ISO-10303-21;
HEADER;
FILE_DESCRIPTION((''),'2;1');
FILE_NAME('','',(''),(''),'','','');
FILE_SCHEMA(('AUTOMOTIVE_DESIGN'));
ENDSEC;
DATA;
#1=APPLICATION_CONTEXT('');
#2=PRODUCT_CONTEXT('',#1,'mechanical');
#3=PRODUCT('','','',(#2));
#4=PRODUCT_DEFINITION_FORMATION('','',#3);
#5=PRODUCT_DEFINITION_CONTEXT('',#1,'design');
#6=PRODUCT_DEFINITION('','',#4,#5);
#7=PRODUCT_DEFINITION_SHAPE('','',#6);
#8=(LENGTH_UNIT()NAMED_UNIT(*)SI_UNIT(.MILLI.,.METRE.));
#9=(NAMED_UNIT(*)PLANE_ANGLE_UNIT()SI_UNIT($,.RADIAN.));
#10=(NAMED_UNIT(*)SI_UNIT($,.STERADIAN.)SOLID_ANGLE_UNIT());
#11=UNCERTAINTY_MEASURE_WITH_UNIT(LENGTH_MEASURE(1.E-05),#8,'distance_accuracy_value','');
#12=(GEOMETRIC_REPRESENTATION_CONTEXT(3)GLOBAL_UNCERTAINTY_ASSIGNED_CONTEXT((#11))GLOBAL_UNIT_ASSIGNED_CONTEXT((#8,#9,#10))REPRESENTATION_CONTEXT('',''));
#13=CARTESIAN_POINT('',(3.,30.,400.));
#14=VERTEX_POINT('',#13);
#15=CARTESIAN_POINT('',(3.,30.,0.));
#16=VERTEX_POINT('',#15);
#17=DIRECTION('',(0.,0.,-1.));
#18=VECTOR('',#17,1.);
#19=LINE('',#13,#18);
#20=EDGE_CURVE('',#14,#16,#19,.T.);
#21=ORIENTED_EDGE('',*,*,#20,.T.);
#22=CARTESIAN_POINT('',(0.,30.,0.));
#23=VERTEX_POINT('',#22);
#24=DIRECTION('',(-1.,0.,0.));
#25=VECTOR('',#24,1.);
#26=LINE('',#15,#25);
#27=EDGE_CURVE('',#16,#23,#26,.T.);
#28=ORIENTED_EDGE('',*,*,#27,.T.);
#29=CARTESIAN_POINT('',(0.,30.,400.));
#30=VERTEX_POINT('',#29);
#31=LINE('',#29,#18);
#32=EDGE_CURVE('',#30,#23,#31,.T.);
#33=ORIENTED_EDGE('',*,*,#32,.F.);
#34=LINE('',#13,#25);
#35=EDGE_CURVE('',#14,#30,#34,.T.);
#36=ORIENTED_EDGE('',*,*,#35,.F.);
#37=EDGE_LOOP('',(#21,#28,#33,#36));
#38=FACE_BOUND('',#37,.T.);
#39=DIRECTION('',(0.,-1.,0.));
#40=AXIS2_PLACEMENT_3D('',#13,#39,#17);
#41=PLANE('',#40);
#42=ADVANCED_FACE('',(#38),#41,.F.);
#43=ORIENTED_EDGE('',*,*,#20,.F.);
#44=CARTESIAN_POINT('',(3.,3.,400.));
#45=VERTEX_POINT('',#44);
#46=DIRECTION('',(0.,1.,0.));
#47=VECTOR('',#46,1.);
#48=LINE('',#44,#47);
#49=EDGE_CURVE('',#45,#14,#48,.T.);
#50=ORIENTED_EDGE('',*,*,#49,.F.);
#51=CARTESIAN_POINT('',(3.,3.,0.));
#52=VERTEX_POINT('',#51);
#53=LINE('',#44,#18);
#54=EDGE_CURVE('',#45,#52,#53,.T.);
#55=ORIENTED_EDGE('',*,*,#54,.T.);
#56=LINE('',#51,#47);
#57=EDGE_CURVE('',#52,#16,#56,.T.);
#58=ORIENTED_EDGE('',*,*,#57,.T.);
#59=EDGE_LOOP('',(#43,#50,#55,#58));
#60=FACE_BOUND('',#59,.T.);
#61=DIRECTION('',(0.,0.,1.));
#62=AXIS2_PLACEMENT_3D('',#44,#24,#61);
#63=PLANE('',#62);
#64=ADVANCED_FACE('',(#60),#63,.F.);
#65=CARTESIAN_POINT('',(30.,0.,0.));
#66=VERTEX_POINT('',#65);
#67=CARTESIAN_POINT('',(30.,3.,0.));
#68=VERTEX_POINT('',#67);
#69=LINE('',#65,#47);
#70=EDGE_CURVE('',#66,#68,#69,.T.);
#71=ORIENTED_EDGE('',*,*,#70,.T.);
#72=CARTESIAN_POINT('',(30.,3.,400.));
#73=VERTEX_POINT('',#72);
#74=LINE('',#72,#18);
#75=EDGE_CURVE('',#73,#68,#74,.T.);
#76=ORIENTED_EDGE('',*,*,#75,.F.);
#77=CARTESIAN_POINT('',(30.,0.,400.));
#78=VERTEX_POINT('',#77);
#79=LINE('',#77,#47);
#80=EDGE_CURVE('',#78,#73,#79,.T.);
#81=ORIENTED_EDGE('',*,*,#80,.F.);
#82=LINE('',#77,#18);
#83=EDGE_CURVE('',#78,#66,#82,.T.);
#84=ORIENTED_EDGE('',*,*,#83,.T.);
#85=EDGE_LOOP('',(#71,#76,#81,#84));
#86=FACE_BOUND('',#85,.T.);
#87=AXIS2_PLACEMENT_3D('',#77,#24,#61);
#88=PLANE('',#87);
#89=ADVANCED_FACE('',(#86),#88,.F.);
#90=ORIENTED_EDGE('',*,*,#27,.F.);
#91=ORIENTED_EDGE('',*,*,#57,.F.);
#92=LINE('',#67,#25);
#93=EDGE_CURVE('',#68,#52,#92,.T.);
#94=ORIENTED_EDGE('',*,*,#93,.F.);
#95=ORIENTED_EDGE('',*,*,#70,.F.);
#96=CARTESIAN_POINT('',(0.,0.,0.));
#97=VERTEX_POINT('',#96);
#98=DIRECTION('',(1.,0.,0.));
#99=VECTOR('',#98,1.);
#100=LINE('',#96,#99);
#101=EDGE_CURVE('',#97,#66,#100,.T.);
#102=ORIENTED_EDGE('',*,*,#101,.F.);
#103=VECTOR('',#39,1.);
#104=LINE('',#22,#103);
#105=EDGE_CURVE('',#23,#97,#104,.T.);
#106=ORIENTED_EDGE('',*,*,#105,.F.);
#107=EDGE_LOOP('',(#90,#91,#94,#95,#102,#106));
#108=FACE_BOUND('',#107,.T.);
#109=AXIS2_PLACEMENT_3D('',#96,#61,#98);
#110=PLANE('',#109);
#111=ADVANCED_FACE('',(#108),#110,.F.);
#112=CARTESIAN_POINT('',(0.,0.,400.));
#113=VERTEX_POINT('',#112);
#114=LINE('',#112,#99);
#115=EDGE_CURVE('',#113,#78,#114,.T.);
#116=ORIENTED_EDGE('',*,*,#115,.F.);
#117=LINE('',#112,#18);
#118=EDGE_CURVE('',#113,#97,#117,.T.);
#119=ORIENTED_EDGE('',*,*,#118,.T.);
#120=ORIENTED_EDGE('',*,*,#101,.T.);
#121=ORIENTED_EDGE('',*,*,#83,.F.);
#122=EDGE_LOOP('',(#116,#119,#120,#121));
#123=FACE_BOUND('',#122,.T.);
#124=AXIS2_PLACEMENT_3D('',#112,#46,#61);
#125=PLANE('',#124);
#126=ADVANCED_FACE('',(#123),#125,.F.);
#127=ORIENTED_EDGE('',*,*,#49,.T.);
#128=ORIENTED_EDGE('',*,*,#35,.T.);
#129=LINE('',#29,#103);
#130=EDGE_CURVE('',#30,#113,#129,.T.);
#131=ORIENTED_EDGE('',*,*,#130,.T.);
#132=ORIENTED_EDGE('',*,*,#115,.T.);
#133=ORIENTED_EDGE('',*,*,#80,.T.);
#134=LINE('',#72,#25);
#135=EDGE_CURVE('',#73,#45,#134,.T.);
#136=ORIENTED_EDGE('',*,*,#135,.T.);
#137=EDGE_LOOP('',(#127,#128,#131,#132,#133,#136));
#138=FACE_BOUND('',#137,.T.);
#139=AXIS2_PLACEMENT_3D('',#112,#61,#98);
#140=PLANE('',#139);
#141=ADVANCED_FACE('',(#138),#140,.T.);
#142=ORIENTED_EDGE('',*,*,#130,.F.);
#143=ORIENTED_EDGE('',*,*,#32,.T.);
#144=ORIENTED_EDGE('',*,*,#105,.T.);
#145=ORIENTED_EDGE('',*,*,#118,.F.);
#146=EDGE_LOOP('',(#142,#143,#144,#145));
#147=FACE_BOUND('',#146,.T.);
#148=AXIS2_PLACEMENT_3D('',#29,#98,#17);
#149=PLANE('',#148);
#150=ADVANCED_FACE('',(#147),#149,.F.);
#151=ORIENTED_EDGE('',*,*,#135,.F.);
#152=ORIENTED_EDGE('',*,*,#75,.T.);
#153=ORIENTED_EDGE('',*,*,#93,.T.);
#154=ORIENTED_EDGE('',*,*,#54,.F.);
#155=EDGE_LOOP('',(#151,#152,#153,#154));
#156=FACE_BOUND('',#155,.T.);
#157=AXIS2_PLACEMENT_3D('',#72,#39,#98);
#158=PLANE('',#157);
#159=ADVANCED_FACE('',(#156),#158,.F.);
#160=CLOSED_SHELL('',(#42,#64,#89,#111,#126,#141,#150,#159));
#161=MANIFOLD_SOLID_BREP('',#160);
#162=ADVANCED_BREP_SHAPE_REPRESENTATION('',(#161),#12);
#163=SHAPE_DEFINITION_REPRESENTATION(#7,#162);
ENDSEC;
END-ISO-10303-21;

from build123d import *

# Parameters (mm, degrees)
ESTRUSIONE_ESTRUSIONE1_DEPTH = 400


with BuildPart() as part:
    # Schizzo1 → Estrusione-Estrusione1 (new body)
    with BuildSketch(Plane.XY):
        Polygon((0, 30), (0, 0), (30, 0), (30, 3), (3, 3), (3, 30), align=None)
    extrude(amount=ESTRUSIONE_ESTRUSIONE1_DEPTH)


solid = part.part
